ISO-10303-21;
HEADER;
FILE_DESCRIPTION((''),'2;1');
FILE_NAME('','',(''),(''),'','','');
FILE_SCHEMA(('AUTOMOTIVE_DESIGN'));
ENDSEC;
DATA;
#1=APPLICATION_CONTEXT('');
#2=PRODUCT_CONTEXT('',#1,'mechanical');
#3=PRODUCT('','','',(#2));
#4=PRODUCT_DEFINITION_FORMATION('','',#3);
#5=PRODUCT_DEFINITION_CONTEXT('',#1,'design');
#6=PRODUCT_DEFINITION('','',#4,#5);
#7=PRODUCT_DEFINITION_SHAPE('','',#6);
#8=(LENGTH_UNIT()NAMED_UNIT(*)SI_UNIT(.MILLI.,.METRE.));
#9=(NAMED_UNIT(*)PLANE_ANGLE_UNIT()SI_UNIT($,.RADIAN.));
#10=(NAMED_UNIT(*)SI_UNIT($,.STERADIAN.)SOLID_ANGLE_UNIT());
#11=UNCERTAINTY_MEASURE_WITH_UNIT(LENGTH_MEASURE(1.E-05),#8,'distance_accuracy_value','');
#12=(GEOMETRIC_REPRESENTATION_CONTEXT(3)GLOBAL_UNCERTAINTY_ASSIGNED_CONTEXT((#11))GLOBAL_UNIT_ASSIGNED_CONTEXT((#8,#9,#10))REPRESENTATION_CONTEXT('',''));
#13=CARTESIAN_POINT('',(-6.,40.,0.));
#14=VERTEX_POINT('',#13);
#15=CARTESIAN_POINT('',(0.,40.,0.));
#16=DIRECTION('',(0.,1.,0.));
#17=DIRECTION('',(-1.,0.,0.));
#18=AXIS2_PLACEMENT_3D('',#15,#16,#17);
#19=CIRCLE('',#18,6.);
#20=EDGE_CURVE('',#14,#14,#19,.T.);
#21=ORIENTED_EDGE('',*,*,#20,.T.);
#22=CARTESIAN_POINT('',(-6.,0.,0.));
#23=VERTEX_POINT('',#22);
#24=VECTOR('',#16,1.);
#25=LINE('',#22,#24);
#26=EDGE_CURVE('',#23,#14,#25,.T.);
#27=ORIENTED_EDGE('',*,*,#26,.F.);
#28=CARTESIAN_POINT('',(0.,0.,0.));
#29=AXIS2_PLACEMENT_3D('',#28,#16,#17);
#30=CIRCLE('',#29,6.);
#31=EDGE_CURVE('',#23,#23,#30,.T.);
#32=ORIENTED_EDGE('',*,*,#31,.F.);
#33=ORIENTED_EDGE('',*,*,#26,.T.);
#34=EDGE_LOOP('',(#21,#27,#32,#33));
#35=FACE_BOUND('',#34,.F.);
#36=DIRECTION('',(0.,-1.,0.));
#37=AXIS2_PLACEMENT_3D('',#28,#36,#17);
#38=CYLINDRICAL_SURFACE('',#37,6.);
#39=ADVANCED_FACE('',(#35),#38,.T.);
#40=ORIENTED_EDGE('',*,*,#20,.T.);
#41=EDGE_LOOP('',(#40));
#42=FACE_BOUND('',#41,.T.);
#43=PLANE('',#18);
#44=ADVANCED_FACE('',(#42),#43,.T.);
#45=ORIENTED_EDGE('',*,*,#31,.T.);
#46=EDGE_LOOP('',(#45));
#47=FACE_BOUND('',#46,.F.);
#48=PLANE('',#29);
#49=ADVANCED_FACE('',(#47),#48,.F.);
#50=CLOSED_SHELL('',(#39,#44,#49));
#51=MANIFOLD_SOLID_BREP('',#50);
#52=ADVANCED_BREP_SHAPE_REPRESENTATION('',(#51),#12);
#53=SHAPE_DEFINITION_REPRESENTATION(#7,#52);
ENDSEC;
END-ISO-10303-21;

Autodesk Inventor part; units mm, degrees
ref_plane "YZ Plane" through (0, 0, 0) normal (1, 0, 0) x (0, 1, 0)
ref_plane "XZ Plane" through (0, 0, 0) normal (0, 1, 0) x (-1, 0, 0)
ref_plane "XY Plane" through (0, 0, 0) normal (0, 0, 1) x (1, 0, 0)
sketch "Skizze1" plane through (0, 0, 0) normal (0, 1, 0) x (-1, 0, 0)
  circle A0 centre (0, 0) radius 6
  dimension "d0" = 12
extrude "Extrusion1" add sketch "Skizze1" along normal blind 40
properties part number "bolt"
